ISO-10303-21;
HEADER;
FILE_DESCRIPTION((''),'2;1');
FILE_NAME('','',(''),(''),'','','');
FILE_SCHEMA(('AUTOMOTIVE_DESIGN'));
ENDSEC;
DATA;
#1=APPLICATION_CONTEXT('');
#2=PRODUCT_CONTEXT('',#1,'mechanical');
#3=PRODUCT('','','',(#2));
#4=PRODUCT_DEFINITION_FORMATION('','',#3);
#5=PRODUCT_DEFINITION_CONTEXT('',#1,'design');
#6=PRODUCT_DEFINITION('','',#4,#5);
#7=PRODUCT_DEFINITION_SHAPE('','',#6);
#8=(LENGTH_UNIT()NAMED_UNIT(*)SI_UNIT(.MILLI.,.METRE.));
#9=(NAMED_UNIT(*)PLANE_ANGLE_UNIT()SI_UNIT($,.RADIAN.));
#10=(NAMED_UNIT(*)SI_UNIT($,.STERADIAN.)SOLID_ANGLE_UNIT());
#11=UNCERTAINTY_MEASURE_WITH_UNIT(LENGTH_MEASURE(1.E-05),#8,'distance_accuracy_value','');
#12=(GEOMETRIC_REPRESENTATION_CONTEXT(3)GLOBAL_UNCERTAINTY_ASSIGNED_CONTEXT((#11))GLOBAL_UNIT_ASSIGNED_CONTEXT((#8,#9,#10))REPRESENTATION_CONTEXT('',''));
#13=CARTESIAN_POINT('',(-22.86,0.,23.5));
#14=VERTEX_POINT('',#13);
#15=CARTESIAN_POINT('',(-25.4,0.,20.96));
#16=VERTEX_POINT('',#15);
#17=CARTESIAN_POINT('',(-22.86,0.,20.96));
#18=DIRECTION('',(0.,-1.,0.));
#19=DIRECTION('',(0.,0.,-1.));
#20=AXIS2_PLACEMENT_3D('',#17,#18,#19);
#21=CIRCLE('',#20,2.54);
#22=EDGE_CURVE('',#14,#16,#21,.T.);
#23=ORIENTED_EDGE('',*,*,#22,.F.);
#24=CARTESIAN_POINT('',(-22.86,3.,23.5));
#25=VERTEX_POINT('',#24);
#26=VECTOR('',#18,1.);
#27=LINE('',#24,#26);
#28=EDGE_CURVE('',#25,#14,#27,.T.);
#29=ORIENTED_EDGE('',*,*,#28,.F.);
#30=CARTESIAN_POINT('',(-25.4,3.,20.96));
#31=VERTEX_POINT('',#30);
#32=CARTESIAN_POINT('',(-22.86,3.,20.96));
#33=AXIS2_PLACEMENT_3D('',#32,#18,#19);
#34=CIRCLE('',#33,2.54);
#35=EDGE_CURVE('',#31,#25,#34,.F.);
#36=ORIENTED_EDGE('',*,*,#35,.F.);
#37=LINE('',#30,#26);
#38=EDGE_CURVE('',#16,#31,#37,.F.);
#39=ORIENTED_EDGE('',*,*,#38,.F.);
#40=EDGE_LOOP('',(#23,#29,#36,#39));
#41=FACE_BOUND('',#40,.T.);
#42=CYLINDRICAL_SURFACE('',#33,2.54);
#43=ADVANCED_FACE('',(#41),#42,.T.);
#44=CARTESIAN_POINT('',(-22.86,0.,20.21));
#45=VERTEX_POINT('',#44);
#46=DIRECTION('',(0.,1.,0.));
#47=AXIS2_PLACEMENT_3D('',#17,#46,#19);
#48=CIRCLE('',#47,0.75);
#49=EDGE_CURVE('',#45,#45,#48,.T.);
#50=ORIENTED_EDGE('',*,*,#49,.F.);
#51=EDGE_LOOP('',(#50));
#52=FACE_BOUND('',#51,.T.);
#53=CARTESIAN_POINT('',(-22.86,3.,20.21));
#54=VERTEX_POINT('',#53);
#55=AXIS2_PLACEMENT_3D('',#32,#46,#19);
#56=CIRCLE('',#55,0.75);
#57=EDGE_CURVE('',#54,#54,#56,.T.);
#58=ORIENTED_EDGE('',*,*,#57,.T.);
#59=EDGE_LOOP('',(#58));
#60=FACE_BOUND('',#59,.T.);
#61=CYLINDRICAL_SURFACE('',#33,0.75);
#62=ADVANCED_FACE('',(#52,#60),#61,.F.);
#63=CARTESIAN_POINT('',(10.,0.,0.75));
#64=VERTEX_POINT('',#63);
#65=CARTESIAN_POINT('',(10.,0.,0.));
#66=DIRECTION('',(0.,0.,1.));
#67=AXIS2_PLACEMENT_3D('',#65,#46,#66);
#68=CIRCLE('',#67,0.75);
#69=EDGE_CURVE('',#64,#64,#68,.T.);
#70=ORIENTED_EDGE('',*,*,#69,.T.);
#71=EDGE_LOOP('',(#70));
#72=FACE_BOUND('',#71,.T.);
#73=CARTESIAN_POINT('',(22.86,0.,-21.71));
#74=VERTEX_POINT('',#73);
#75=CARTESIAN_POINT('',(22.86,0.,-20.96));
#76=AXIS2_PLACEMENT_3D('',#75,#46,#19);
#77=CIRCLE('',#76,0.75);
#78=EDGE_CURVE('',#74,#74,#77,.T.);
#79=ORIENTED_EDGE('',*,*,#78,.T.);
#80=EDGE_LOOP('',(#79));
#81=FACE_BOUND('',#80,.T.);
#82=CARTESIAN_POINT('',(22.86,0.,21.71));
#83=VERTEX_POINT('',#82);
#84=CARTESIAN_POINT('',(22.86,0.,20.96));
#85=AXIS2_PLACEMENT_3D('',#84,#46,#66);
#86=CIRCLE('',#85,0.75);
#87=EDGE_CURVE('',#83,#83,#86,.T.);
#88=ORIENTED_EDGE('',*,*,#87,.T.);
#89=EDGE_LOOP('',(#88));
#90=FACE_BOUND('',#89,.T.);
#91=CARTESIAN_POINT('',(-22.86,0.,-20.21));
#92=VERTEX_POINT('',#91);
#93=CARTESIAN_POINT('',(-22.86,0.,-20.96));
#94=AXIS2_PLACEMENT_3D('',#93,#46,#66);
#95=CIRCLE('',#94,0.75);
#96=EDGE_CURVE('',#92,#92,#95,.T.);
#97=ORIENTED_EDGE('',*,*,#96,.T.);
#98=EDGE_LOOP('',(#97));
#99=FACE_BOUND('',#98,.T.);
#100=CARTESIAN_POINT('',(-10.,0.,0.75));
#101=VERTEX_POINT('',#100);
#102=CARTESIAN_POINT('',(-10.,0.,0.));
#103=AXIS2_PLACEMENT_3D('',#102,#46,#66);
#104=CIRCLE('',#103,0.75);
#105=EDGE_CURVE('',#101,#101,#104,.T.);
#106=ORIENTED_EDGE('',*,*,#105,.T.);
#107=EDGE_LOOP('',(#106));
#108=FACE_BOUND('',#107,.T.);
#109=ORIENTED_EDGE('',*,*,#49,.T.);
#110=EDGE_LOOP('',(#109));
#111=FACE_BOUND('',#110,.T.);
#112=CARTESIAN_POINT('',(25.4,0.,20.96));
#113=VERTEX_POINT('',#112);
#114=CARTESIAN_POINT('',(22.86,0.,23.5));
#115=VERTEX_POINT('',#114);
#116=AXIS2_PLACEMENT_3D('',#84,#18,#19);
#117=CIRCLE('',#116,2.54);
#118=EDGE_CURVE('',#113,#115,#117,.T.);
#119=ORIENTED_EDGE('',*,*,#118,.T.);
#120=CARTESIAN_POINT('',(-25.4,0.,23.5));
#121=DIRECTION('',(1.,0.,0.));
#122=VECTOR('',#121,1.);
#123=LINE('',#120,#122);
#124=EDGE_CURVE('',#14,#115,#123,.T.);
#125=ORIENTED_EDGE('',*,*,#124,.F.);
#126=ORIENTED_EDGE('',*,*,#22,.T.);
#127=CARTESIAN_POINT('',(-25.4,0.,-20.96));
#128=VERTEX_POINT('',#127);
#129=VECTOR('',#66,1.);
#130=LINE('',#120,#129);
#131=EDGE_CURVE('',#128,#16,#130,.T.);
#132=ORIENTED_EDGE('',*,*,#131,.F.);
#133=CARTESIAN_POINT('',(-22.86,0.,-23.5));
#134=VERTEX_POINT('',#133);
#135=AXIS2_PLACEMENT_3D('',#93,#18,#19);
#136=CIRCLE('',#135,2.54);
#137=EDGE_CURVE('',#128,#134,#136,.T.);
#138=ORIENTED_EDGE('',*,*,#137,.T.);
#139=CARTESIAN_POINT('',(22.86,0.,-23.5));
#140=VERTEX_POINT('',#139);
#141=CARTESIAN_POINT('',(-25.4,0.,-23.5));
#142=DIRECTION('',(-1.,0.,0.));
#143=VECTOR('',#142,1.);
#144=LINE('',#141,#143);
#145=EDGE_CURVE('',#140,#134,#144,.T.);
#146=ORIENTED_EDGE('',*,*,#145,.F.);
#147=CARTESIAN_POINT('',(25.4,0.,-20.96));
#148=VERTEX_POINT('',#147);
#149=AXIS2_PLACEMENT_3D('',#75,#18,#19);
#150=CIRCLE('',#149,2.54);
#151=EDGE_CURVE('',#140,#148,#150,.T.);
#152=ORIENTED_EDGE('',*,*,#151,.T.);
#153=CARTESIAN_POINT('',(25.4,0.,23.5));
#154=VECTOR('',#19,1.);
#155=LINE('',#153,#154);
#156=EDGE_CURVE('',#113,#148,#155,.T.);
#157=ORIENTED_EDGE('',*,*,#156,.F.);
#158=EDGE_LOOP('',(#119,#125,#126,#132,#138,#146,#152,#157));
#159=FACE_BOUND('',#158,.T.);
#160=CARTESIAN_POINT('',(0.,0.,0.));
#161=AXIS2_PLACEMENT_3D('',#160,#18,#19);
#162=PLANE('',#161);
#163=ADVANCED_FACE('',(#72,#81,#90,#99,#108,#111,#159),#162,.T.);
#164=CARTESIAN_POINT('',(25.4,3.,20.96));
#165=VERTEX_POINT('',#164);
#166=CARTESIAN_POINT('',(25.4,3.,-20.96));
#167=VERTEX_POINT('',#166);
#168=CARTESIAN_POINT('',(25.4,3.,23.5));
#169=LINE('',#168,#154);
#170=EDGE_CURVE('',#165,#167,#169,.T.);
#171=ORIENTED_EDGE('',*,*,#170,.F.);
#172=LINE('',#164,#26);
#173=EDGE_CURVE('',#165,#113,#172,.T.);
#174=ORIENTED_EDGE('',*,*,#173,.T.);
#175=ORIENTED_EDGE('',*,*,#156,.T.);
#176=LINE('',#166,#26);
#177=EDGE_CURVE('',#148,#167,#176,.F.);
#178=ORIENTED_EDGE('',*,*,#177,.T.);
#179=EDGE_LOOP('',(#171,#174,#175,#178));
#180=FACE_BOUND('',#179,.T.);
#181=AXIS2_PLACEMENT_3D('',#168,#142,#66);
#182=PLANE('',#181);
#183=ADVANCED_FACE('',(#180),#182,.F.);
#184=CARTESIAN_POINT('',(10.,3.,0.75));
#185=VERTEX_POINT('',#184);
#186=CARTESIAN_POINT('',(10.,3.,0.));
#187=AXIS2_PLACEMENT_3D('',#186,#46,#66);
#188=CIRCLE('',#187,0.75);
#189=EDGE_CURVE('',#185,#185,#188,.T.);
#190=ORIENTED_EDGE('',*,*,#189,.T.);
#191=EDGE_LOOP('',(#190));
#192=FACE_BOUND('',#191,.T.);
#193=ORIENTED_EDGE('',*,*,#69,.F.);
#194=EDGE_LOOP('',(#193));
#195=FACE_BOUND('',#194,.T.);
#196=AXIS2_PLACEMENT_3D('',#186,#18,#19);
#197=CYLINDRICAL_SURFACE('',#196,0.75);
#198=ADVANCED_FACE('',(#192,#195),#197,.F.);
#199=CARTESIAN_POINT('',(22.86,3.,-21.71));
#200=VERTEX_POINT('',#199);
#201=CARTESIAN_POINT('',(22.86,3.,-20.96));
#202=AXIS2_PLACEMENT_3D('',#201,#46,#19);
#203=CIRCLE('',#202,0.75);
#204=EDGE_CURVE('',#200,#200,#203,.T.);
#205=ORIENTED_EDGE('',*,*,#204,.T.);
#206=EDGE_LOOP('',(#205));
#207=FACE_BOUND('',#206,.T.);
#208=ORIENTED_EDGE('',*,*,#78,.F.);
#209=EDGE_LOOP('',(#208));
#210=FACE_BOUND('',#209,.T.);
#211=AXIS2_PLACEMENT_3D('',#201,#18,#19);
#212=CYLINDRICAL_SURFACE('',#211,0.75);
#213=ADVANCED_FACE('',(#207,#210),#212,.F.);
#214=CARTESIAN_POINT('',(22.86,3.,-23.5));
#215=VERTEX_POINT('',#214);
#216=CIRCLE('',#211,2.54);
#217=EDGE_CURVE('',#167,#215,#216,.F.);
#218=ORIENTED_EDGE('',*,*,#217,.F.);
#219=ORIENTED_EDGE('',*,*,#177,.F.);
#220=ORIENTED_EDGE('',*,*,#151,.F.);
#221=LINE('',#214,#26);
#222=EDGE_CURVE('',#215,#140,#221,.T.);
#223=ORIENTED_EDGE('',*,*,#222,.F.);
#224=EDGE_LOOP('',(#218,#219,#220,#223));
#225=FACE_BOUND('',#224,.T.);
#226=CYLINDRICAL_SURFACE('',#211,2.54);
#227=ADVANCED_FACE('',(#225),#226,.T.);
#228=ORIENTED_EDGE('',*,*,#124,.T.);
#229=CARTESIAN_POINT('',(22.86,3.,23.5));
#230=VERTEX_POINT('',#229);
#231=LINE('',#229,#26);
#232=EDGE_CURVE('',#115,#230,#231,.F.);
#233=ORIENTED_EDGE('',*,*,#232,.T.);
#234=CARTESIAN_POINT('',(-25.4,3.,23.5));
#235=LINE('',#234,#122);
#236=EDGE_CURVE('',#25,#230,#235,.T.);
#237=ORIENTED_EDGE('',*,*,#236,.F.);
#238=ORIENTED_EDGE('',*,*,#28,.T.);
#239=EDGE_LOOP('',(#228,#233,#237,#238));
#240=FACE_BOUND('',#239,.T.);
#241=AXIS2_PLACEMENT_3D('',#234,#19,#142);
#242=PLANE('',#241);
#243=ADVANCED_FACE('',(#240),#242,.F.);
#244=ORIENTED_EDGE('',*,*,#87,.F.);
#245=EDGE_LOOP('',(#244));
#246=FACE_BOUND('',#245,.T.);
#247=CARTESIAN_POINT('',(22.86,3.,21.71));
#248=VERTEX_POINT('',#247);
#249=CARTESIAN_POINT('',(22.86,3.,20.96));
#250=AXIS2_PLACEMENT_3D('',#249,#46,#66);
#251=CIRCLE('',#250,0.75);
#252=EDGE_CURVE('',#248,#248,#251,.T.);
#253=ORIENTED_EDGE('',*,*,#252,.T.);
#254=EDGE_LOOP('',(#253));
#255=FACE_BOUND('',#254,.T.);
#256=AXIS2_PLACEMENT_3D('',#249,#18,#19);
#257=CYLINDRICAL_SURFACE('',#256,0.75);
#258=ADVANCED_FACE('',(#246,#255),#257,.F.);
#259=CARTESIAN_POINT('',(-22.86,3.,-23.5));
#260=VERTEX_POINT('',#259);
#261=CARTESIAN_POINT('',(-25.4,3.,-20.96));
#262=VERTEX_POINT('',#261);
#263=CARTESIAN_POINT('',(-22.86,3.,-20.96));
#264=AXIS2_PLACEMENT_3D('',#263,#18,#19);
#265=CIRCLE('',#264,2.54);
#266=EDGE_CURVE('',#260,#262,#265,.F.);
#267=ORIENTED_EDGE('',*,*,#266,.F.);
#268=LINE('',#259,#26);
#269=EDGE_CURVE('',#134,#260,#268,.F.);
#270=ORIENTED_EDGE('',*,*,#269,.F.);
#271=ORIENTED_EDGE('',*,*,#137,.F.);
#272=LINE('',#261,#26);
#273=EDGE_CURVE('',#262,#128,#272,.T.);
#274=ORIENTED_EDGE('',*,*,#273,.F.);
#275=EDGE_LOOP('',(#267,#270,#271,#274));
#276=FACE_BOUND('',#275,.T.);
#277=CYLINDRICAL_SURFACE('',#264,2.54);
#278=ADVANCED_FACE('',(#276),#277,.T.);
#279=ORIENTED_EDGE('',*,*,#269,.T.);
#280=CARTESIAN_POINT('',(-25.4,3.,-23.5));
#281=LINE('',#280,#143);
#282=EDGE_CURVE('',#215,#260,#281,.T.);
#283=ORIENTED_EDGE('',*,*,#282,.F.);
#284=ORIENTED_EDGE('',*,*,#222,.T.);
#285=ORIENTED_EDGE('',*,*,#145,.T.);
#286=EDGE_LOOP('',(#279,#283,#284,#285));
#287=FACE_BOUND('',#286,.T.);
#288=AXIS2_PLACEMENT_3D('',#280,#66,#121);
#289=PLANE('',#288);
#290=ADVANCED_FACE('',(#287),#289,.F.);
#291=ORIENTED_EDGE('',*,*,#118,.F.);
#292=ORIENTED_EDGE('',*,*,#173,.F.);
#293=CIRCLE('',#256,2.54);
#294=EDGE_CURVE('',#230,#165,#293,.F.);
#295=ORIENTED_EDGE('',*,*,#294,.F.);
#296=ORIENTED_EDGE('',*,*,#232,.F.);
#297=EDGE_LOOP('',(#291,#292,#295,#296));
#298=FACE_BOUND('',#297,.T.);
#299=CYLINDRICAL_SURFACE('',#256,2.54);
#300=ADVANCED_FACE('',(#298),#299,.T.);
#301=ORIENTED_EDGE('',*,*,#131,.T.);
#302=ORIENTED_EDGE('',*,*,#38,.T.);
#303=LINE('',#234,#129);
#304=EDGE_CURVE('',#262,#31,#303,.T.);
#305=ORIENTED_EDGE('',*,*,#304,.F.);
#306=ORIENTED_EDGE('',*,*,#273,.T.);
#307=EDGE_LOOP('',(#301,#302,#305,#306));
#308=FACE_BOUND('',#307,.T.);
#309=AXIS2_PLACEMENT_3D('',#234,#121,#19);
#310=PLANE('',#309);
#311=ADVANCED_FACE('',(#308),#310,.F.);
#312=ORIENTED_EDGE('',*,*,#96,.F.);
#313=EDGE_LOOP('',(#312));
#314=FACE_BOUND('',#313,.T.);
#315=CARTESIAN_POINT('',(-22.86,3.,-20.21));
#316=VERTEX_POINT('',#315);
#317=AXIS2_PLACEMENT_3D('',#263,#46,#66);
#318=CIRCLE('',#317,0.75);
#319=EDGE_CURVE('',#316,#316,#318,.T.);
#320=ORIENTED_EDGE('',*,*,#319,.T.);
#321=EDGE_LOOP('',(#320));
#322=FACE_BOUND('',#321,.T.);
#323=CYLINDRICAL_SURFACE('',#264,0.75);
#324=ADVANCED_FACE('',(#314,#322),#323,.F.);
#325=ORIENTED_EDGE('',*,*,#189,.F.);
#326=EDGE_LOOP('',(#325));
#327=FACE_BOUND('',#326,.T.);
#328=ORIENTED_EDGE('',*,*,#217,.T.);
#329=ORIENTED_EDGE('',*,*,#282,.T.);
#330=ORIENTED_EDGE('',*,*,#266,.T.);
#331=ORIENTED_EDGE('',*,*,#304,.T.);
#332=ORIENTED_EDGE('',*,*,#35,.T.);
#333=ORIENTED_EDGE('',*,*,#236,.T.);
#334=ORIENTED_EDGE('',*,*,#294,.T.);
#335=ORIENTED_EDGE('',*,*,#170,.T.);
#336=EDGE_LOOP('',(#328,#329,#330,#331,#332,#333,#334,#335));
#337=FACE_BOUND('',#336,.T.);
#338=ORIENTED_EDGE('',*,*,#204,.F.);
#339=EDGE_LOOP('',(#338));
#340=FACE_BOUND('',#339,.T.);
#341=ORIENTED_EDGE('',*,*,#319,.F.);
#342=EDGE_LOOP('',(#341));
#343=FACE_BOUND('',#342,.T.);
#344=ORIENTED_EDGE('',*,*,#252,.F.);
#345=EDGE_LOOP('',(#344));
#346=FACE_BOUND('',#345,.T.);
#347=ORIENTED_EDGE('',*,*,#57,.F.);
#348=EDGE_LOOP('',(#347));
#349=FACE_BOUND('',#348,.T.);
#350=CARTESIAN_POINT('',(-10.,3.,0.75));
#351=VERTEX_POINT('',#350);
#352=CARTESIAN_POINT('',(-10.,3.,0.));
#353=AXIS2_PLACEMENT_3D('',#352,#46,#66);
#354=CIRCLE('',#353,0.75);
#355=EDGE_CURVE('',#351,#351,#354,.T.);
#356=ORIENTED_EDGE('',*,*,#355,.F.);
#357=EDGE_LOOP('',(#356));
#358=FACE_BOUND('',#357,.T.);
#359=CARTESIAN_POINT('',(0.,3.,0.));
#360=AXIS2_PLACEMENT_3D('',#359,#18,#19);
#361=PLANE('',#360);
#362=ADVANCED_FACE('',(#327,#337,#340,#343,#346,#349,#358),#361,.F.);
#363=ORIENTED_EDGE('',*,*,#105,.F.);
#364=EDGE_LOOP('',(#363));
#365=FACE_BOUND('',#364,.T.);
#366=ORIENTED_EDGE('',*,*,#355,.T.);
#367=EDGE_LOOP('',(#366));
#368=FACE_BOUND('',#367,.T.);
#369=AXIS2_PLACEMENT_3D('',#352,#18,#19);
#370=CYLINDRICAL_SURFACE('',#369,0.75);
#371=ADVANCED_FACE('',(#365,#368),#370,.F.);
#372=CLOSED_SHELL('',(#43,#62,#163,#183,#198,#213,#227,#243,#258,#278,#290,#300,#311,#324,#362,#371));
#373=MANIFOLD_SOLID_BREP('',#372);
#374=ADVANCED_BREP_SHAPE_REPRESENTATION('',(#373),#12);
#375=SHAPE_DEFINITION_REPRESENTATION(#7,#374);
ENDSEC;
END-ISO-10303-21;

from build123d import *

# Parameters (mm, degrees)
SKETCH1_W           = 50.8
SKETCH1_H           = 47
SKETCH1_R           = 0.75
BOSS_EXTRUDE1_DEPTH = 3
FILLET1_R           = 2.54


with BuildPart() as part:
    # Sketch1 → Boss-Extrude1 (new body)
    with BuildSketch(Plane(origin=(0, 0, 0), x_dir=(1, 0, 0), z_dir=(0, 1, 0))):
        Rectangle(SKETCH1_W, SKETCH1_H)
        with Locations((-22.86, 20.96)):
            Circle(SKETCH1_R, mode=Mode.SUBTRACT)
        with Locations((22.86, 20.96)):
            Circle(SKETCH1_R, mode=Mode.SUBTRACT)
        with Locations((22.86, -20.96)):
            Circle(SKETCH1_R, mode=Mode.SUBTRACT)
        with Locations((-22.86, -20.96)):
            Circle(SKETCH1_R, mode=Mode.SUBTRACT)
        with Locations((10, 0)):
            Circle(SKETCH1_R, mode=Mode.SUBTRACT)
        with Locations((-10, 0)):
            Circle(SKETCH1_R, mode=Mode.SUBTRACT)
    extrude(amount=BOSS_EXTRUDE1_DEPTH)

    # Fillet1
    fillet1_edges = [part.edges().sort_by_distance(p)[0] for p in [
        (-25.4, 1.5, -23.5),
        (25.4, 1.5, -23.5),
        (25.4, 1.5, 23.5),
        (-25.4, 1.5, 23.5),
    ]]
    fillet(fillet1_edges, radius=FILLET1_R)


solid = part.part
